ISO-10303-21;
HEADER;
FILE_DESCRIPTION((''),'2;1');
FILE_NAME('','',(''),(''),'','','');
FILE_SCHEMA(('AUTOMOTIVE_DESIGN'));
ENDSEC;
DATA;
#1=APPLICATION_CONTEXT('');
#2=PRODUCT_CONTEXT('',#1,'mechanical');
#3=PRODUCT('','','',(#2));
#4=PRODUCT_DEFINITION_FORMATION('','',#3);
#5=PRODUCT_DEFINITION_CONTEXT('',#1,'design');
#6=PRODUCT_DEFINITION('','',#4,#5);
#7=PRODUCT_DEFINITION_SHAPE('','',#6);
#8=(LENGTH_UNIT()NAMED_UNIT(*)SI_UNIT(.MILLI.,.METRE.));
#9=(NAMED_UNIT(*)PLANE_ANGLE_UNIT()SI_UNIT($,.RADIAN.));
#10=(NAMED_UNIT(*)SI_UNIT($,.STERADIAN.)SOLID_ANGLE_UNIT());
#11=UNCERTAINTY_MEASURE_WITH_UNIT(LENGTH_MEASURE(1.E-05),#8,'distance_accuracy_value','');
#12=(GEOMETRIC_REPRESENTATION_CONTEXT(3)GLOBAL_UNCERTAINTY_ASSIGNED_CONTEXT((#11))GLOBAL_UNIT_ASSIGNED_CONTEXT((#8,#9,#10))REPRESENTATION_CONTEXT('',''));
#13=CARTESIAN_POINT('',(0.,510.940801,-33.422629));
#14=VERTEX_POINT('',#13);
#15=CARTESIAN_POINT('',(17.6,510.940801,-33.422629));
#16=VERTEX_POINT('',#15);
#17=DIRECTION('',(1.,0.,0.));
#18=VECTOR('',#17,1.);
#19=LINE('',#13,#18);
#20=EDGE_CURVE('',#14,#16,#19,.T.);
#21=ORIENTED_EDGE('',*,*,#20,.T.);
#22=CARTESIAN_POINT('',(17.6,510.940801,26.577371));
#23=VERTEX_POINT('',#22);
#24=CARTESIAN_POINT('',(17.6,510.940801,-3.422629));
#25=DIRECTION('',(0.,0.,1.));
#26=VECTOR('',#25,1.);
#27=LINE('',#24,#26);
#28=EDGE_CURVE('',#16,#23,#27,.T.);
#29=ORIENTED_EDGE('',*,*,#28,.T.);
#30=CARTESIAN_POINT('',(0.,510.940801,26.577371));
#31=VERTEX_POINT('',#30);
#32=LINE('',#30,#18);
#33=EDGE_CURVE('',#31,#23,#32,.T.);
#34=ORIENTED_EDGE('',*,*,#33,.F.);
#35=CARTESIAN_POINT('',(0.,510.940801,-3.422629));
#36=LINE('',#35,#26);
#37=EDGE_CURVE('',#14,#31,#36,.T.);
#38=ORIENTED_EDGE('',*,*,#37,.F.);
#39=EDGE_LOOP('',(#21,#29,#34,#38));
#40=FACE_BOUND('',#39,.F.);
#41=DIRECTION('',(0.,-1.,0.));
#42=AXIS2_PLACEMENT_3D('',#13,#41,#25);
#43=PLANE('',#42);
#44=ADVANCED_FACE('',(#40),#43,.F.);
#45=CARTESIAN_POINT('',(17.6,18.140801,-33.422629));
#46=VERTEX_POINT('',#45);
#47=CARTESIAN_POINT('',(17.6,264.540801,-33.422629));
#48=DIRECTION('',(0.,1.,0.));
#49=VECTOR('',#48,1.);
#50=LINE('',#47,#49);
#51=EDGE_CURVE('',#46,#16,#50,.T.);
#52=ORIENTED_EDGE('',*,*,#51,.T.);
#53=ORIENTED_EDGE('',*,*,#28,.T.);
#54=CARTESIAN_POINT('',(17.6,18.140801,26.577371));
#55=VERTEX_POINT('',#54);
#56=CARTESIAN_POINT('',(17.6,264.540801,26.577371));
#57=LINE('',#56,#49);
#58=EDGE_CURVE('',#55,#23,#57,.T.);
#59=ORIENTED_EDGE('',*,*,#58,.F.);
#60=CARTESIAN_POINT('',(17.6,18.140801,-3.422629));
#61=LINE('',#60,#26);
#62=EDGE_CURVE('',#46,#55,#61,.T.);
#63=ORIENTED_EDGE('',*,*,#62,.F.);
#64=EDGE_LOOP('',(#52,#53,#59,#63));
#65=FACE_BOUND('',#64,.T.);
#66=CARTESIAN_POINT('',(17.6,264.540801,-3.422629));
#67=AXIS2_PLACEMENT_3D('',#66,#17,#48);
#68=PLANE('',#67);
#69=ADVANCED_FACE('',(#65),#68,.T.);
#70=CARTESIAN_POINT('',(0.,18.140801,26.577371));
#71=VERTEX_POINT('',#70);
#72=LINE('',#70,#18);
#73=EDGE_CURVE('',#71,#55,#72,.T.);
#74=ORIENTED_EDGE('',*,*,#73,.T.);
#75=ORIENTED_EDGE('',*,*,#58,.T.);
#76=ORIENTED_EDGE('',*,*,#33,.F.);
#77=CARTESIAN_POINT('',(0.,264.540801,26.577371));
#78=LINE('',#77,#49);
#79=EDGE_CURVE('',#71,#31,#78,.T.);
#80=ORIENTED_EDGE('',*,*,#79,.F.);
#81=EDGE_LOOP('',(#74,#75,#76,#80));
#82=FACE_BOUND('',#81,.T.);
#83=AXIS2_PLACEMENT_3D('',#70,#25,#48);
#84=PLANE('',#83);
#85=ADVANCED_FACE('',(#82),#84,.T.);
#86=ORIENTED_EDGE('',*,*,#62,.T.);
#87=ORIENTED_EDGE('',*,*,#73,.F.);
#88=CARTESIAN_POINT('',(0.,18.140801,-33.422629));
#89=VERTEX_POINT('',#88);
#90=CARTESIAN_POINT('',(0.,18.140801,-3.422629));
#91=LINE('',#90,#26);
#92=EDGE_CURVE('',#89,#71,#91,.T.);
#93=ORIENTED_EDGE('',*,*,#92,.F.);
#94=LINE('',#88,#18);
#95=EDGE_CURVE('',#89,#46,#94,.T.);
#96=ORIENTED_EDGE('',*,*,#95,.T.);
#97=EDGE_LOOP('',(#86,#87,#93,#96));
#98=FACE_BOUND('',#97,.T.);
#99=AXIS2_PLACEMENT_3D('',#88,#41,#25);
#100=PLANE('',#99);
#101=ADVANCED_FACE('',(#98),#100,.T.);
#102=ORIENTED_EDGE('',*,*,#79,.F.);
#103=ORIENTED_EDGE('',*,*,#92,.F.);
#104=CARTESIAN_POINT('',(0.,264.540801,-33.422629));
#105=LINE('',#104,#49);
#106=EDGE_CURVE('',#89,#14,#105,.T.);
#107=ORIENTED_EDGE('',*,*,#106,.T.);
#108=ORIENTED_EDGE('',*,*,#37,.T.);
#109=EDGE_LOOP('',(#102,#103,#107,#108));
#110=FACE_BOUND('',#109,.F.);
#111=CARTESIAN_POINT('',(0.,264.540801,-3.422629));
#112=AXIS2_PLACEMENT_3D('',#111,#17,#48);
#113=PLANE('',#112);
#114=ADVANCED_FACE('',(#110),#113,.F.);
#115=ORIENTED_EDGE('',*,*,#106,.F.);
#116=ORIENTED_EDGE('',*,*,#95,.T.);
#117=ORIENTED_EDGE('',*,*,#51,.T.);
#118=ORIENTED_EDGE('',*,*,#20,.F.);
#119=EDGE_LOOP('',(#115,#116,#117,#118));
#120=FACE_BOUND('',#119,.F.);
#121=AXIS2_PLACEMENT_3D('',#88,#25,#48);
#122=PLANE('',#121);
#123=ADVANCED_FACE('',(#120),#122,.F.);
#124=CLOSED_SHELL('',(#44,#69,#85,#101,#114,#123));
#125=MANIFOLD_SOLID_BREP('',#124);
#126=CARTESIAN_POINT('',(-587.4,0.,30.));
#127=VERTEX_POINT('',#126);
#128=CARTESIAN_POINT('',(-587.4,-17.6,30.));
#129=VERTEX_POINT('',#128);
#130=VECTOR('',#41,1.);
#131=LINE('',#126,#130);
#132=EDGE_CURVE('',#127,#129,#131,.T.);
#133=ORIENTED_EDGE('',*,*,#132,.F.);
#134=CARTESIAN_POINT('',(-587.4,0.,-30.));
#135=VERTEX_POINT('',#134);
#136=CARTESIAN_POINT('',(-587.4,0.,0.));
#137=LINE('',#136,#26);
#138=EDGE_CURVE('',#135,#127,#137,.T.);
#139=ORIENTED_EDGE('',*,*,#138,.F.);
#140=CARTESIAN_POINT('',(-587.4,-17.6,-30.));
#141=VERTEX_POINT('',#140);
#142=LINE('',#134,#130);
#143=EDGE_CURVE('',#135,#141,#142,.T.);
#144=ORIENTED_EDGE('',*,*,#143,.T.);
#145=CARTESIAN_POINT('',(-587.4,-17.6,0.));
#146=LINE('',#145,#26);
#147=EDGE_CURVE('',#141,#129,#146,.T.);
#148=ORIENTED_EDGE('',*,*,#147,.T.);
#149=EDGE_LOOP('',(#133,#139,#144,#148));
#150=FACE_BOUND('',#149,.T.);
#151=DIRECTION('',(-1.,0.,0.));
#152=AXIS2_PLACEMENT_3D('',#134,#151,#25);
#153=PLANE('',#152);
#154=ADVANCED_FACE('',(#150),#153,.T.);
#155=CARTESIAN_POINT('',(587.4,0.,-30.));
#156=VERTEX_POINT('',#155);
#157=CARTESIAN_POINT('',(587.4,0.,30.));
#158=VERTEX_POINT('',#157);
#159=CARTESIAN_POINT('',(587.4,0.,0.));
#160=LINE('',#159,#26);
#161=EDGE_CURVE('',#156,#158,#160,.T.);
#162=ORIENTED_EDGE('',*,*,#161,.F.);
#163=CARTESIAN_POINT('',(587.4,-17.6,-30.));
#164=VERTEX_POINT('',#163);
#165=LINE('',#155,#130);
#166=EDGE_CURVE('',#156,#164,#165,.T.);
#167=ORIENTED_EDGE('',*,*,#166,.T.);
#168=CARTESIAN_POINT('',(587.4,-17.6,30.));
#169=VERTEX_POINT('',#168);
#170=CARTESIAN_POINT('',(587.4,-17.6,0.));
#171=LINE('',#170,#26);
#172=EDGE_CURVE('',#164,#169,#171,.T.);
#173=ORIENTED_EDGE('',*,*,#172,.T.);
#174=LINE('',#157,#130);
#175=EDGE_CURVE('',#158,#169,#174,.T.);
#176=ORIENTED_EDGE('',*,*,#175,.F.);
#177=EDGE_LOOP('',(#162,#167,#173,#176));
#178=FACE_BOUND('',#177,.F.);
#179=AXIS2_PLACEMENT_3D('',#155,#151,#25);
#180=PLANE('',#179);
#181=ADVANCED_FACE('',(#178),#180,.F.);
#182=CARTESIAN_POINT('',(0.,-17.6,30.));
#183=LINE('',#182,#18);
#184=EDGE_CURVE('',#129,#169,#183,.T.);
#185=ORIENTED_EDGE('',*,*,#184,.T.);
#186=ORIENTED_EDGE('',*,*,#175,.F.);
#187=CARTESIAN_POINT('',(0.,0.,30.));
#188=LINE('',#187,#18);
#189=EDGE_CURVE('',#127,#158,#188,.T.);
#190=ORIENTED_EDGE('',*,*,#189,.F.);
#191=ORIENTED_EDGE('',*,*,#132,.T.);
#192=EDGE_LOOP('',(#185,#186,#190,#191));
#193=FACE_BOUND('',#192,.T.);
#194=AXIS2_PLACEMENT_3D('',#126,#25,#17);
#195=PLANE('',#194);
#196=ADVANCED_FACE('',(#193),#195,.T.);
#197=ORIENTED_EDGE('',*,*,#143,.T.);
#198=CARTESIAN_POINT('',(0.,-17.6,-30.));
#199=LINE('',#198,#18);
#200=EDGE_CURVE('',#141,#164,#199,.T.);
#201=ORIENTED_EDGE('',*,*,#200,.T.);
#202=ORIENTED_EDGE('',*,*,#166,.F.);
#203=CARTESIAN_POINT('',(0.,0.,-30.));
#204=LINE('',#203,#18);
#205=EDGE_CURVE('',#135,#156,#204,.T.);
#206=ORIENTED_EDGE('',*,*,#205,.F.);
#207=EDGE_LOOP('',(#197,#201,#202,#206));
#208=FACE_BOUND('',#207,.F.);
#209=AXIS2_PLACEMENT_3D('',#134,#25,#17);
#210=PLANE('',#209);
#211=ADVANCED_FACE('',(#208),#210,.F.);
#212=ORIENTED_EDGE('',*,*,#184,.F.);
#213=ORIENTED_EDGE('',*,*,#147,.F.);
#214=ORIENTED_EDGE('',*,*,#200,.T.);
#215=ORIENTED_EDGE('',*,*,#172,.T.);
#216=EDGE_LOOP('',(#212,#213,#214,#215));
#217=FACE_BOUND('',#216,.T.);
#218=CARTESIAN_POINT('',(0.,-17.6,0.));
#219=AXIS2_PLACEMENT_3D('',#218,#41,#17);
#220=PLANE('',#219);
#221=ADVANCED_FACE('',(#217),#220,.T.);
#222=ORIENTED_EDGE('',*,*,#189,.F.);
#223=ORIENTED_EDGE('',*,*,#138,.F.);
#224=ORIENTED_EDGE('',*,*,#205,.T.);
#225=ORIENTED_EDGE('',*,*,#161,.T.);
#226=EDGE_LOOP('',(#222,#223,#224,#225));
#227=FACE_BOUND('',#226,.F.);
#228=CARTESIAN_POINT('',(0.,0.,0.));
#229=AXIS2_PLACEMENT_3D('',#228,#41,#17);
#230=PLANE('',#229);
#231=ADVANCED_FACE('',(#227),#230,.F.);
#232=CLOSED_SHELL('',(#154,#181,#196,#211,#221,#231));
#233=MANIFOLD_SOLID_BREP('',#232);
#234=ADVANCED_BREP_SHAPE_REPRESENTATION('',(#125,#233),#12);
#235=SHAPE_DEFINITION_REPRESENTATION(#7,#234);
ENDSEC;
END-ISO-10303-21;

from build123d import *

# Parameters (mm, degrees)
F1_W     = 1174.8
F1_H     = 60
F2_DEPTH = 17.6
F3_W     = 492.8
F3_H     = 60
F4_DEPTH = 17.6


with BuildPart() as f2:
    # F1 (on Front) → F2 (new body)
    with BuildSketch(Plane.XZ):
        Rectangle(F1_W, F1_H)
    extrude(amount=F2_DEPTH)


with BuildPart() as f4:
    # F3 (on Right) → F4 (new body)
    with BuildSketch(Plane.YZ):
        with Locations((264.5408008248, -3.4226291725)):
            Rectangle(F3_W, F3_H)
    extrude(amount=F4_DEPTH)


solid = Compound([f2.part, f4.part])
